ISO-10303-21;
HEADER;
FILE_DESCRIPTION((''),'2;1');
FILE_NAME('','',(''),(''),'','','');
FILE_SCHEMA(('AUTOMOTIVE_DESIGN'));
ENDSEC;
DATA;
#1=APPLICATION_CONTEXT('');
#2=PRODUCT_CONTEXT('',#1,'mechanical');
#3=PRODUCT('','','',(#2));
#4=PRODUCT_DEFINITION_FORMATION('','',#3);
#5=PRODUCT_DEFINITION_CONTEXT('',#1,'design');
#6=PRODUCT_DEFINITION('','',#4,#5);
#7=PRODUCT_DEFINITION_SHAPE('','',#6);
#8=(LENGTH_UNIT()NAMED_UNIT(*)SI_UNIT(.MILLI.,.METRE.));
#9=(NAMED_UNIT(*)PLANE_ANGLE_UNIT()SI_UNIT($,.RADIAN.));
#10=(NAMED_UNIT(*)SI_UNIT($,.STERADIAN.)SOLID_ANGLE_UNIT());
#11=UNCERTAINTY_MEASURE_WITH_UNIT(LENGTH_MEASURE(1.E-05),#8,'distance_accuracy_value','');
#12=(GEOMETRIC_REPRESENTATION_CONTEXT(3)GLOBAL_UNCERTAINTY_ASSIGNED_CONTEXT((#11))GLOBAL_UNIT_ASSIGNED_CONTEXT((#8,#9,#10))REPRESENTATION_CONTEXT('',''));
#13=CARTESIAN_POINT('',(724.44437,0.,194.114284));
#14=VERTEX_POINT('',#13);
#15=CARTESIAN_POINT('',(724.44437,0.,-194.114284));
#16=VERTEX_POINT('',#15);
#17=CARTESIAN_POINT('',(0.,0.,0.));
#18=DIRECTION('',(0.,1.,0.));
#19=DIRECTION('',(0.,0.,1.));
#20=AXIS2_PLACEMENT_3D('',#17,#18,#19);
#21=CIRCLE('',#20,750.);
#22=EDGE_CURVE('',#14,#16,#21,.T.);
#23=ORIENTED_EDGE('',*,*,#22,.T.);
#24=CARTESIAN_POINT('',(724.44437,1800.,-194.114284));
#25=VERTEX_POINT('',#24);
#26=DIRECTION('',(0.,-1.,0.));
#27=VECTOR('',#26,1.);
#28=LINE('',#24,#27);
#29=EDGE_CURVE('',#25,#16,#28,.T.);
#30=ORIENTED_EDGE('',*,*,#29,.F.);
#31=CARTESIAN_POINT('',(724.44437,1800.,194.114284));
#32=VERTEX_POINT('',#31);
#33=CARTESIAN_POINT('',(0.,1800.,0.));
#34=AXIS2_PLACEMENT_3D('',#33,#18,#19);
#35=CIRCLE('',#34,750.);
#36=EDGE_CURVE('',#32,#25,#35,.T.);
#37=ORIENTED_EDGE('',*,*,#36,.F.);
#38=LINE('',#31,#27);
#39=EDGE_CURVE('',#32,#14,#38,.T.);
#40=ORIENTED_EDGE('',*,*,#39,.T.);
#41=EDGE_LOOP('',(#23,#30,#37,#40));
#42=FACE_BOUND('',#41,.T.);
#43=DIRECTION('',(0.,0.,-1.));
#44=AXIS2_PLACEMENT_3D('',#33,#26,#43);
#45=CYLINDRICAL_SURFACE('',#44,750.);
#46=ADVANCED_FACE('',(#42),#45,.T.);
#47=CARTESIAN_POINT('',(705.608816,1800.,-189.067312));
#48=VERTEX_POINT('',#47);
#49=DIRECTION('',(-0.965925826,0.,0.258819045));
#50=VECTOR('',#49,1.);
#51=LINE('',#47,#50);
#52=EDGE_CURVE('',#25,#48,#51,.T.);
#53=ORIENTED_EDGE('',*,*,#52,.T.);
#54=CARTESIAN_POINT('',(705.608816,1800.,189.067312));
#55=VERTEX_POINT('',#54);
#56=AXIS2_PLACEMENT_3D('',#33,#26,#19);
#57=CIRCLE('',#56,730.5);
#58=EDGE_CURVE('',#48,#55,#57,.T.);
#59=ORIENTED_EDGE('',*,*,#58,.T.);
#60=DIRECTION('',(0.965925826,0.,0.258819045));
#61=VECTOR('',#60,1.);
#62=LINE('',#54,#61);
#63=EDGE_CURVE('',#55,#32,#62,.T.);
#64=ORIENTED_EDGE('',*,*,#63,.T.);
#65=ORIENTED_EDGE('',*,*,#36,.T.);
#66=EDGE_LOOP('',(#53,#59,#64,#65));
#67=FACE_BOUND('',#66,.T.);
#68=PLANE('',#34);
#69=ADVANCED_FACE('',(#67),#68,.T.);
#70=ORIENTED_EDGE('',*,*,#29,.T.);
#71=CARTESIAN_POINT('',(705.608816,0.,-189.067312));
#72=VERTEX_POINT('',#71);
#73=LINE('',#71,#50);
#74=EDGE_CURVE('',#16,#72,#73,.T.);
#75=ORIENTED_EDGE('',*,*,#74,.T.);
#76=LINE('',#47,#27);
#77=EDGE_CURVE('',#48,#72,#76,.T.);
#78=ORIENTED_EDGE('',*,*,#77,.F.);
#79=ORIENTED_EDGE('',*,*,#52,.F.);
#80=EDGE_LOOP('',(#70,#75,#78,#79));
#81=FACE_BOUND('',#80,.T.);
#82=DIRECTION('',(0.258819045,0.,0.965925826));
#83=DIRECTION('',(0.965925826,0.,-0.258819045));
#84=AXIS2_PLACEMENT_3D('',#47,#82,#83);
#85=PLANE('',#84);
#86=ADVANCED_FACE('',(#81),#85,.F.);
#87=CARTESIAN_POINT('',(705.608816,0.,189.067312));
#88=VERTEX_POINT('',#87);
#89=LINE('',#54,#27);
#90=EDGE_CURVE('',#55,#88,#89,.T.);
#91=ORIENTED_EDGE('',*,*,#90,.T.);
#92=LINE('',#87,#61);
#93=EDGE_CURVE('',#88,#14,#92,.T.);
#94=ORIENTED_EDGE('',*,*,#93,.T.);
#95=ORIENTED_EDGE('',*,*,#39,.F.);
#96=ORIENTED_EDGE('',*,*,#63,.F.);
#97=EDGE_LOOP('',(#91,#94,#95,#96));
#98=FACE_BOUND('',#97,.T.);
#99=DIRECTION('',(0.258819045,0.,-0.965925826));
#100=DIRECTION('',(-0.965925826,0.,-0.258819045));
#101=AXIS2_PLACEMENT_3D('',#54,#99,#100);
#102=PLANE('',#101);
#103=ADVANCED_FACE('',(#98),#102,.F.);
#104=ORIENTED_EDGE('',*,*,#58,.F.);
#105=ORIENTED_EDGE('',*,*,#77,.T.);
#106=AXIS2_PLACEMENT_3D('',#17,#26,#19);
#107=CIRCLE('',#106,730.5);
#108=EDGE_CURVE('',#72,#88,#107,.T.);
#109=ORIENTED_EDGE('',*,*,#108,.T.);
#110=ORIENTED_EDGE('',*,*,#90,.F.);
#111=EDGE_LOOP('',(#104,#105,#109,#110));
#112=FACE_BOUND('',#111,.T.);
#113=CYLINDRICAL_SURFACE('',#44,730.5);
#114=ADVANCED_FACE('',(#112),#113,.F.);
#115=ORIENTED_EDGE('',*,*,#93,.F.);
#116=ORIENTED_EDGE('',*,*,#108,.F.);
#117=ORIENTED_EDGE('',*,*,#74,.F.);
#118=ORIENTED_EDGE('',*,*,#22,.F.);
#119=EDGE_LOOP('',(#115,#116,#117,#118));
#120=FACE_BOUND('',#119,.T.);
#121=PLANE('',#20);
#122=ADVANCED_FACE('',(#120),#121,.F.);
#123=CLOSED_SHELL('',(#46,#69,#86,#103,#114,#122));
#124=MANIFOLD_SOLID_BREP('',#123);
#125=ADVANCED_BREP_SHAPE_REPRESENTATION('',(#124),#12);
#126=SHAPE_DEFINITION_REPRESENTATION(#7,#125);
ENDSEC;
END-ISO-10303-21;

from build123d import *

# Parameters (mm, degrees)
BOSS_EXTRUDE1_DEPTH = 1800


with BuildPart() as part:
    # Sketch1 → Boss-Extrude1 (new body)
    with BuildSketch(Plane(origin=(0, 0, 0), x_dir=(1, 0, 0), z_dir=(0, 1, 0))):
        with BuildLine():
            Line((705.608816104, 189.067312447), (724.444369717, 194.114283827))
            ThreePointArc((724.444369717, 194.114283827), (750, 0), (724.444369717, -194.114283827))
            Line((724.444369717, -194.114283827), (705.608816104, -189.067312447))
            ThreePointArc((705.608816104, -189.067312447), (730.5, 0), (705.608816104, 189.067312447))
        make_face()
    extrude(amount=BOSS_EXTRUDE1_DEPTH)


solid = part.part
